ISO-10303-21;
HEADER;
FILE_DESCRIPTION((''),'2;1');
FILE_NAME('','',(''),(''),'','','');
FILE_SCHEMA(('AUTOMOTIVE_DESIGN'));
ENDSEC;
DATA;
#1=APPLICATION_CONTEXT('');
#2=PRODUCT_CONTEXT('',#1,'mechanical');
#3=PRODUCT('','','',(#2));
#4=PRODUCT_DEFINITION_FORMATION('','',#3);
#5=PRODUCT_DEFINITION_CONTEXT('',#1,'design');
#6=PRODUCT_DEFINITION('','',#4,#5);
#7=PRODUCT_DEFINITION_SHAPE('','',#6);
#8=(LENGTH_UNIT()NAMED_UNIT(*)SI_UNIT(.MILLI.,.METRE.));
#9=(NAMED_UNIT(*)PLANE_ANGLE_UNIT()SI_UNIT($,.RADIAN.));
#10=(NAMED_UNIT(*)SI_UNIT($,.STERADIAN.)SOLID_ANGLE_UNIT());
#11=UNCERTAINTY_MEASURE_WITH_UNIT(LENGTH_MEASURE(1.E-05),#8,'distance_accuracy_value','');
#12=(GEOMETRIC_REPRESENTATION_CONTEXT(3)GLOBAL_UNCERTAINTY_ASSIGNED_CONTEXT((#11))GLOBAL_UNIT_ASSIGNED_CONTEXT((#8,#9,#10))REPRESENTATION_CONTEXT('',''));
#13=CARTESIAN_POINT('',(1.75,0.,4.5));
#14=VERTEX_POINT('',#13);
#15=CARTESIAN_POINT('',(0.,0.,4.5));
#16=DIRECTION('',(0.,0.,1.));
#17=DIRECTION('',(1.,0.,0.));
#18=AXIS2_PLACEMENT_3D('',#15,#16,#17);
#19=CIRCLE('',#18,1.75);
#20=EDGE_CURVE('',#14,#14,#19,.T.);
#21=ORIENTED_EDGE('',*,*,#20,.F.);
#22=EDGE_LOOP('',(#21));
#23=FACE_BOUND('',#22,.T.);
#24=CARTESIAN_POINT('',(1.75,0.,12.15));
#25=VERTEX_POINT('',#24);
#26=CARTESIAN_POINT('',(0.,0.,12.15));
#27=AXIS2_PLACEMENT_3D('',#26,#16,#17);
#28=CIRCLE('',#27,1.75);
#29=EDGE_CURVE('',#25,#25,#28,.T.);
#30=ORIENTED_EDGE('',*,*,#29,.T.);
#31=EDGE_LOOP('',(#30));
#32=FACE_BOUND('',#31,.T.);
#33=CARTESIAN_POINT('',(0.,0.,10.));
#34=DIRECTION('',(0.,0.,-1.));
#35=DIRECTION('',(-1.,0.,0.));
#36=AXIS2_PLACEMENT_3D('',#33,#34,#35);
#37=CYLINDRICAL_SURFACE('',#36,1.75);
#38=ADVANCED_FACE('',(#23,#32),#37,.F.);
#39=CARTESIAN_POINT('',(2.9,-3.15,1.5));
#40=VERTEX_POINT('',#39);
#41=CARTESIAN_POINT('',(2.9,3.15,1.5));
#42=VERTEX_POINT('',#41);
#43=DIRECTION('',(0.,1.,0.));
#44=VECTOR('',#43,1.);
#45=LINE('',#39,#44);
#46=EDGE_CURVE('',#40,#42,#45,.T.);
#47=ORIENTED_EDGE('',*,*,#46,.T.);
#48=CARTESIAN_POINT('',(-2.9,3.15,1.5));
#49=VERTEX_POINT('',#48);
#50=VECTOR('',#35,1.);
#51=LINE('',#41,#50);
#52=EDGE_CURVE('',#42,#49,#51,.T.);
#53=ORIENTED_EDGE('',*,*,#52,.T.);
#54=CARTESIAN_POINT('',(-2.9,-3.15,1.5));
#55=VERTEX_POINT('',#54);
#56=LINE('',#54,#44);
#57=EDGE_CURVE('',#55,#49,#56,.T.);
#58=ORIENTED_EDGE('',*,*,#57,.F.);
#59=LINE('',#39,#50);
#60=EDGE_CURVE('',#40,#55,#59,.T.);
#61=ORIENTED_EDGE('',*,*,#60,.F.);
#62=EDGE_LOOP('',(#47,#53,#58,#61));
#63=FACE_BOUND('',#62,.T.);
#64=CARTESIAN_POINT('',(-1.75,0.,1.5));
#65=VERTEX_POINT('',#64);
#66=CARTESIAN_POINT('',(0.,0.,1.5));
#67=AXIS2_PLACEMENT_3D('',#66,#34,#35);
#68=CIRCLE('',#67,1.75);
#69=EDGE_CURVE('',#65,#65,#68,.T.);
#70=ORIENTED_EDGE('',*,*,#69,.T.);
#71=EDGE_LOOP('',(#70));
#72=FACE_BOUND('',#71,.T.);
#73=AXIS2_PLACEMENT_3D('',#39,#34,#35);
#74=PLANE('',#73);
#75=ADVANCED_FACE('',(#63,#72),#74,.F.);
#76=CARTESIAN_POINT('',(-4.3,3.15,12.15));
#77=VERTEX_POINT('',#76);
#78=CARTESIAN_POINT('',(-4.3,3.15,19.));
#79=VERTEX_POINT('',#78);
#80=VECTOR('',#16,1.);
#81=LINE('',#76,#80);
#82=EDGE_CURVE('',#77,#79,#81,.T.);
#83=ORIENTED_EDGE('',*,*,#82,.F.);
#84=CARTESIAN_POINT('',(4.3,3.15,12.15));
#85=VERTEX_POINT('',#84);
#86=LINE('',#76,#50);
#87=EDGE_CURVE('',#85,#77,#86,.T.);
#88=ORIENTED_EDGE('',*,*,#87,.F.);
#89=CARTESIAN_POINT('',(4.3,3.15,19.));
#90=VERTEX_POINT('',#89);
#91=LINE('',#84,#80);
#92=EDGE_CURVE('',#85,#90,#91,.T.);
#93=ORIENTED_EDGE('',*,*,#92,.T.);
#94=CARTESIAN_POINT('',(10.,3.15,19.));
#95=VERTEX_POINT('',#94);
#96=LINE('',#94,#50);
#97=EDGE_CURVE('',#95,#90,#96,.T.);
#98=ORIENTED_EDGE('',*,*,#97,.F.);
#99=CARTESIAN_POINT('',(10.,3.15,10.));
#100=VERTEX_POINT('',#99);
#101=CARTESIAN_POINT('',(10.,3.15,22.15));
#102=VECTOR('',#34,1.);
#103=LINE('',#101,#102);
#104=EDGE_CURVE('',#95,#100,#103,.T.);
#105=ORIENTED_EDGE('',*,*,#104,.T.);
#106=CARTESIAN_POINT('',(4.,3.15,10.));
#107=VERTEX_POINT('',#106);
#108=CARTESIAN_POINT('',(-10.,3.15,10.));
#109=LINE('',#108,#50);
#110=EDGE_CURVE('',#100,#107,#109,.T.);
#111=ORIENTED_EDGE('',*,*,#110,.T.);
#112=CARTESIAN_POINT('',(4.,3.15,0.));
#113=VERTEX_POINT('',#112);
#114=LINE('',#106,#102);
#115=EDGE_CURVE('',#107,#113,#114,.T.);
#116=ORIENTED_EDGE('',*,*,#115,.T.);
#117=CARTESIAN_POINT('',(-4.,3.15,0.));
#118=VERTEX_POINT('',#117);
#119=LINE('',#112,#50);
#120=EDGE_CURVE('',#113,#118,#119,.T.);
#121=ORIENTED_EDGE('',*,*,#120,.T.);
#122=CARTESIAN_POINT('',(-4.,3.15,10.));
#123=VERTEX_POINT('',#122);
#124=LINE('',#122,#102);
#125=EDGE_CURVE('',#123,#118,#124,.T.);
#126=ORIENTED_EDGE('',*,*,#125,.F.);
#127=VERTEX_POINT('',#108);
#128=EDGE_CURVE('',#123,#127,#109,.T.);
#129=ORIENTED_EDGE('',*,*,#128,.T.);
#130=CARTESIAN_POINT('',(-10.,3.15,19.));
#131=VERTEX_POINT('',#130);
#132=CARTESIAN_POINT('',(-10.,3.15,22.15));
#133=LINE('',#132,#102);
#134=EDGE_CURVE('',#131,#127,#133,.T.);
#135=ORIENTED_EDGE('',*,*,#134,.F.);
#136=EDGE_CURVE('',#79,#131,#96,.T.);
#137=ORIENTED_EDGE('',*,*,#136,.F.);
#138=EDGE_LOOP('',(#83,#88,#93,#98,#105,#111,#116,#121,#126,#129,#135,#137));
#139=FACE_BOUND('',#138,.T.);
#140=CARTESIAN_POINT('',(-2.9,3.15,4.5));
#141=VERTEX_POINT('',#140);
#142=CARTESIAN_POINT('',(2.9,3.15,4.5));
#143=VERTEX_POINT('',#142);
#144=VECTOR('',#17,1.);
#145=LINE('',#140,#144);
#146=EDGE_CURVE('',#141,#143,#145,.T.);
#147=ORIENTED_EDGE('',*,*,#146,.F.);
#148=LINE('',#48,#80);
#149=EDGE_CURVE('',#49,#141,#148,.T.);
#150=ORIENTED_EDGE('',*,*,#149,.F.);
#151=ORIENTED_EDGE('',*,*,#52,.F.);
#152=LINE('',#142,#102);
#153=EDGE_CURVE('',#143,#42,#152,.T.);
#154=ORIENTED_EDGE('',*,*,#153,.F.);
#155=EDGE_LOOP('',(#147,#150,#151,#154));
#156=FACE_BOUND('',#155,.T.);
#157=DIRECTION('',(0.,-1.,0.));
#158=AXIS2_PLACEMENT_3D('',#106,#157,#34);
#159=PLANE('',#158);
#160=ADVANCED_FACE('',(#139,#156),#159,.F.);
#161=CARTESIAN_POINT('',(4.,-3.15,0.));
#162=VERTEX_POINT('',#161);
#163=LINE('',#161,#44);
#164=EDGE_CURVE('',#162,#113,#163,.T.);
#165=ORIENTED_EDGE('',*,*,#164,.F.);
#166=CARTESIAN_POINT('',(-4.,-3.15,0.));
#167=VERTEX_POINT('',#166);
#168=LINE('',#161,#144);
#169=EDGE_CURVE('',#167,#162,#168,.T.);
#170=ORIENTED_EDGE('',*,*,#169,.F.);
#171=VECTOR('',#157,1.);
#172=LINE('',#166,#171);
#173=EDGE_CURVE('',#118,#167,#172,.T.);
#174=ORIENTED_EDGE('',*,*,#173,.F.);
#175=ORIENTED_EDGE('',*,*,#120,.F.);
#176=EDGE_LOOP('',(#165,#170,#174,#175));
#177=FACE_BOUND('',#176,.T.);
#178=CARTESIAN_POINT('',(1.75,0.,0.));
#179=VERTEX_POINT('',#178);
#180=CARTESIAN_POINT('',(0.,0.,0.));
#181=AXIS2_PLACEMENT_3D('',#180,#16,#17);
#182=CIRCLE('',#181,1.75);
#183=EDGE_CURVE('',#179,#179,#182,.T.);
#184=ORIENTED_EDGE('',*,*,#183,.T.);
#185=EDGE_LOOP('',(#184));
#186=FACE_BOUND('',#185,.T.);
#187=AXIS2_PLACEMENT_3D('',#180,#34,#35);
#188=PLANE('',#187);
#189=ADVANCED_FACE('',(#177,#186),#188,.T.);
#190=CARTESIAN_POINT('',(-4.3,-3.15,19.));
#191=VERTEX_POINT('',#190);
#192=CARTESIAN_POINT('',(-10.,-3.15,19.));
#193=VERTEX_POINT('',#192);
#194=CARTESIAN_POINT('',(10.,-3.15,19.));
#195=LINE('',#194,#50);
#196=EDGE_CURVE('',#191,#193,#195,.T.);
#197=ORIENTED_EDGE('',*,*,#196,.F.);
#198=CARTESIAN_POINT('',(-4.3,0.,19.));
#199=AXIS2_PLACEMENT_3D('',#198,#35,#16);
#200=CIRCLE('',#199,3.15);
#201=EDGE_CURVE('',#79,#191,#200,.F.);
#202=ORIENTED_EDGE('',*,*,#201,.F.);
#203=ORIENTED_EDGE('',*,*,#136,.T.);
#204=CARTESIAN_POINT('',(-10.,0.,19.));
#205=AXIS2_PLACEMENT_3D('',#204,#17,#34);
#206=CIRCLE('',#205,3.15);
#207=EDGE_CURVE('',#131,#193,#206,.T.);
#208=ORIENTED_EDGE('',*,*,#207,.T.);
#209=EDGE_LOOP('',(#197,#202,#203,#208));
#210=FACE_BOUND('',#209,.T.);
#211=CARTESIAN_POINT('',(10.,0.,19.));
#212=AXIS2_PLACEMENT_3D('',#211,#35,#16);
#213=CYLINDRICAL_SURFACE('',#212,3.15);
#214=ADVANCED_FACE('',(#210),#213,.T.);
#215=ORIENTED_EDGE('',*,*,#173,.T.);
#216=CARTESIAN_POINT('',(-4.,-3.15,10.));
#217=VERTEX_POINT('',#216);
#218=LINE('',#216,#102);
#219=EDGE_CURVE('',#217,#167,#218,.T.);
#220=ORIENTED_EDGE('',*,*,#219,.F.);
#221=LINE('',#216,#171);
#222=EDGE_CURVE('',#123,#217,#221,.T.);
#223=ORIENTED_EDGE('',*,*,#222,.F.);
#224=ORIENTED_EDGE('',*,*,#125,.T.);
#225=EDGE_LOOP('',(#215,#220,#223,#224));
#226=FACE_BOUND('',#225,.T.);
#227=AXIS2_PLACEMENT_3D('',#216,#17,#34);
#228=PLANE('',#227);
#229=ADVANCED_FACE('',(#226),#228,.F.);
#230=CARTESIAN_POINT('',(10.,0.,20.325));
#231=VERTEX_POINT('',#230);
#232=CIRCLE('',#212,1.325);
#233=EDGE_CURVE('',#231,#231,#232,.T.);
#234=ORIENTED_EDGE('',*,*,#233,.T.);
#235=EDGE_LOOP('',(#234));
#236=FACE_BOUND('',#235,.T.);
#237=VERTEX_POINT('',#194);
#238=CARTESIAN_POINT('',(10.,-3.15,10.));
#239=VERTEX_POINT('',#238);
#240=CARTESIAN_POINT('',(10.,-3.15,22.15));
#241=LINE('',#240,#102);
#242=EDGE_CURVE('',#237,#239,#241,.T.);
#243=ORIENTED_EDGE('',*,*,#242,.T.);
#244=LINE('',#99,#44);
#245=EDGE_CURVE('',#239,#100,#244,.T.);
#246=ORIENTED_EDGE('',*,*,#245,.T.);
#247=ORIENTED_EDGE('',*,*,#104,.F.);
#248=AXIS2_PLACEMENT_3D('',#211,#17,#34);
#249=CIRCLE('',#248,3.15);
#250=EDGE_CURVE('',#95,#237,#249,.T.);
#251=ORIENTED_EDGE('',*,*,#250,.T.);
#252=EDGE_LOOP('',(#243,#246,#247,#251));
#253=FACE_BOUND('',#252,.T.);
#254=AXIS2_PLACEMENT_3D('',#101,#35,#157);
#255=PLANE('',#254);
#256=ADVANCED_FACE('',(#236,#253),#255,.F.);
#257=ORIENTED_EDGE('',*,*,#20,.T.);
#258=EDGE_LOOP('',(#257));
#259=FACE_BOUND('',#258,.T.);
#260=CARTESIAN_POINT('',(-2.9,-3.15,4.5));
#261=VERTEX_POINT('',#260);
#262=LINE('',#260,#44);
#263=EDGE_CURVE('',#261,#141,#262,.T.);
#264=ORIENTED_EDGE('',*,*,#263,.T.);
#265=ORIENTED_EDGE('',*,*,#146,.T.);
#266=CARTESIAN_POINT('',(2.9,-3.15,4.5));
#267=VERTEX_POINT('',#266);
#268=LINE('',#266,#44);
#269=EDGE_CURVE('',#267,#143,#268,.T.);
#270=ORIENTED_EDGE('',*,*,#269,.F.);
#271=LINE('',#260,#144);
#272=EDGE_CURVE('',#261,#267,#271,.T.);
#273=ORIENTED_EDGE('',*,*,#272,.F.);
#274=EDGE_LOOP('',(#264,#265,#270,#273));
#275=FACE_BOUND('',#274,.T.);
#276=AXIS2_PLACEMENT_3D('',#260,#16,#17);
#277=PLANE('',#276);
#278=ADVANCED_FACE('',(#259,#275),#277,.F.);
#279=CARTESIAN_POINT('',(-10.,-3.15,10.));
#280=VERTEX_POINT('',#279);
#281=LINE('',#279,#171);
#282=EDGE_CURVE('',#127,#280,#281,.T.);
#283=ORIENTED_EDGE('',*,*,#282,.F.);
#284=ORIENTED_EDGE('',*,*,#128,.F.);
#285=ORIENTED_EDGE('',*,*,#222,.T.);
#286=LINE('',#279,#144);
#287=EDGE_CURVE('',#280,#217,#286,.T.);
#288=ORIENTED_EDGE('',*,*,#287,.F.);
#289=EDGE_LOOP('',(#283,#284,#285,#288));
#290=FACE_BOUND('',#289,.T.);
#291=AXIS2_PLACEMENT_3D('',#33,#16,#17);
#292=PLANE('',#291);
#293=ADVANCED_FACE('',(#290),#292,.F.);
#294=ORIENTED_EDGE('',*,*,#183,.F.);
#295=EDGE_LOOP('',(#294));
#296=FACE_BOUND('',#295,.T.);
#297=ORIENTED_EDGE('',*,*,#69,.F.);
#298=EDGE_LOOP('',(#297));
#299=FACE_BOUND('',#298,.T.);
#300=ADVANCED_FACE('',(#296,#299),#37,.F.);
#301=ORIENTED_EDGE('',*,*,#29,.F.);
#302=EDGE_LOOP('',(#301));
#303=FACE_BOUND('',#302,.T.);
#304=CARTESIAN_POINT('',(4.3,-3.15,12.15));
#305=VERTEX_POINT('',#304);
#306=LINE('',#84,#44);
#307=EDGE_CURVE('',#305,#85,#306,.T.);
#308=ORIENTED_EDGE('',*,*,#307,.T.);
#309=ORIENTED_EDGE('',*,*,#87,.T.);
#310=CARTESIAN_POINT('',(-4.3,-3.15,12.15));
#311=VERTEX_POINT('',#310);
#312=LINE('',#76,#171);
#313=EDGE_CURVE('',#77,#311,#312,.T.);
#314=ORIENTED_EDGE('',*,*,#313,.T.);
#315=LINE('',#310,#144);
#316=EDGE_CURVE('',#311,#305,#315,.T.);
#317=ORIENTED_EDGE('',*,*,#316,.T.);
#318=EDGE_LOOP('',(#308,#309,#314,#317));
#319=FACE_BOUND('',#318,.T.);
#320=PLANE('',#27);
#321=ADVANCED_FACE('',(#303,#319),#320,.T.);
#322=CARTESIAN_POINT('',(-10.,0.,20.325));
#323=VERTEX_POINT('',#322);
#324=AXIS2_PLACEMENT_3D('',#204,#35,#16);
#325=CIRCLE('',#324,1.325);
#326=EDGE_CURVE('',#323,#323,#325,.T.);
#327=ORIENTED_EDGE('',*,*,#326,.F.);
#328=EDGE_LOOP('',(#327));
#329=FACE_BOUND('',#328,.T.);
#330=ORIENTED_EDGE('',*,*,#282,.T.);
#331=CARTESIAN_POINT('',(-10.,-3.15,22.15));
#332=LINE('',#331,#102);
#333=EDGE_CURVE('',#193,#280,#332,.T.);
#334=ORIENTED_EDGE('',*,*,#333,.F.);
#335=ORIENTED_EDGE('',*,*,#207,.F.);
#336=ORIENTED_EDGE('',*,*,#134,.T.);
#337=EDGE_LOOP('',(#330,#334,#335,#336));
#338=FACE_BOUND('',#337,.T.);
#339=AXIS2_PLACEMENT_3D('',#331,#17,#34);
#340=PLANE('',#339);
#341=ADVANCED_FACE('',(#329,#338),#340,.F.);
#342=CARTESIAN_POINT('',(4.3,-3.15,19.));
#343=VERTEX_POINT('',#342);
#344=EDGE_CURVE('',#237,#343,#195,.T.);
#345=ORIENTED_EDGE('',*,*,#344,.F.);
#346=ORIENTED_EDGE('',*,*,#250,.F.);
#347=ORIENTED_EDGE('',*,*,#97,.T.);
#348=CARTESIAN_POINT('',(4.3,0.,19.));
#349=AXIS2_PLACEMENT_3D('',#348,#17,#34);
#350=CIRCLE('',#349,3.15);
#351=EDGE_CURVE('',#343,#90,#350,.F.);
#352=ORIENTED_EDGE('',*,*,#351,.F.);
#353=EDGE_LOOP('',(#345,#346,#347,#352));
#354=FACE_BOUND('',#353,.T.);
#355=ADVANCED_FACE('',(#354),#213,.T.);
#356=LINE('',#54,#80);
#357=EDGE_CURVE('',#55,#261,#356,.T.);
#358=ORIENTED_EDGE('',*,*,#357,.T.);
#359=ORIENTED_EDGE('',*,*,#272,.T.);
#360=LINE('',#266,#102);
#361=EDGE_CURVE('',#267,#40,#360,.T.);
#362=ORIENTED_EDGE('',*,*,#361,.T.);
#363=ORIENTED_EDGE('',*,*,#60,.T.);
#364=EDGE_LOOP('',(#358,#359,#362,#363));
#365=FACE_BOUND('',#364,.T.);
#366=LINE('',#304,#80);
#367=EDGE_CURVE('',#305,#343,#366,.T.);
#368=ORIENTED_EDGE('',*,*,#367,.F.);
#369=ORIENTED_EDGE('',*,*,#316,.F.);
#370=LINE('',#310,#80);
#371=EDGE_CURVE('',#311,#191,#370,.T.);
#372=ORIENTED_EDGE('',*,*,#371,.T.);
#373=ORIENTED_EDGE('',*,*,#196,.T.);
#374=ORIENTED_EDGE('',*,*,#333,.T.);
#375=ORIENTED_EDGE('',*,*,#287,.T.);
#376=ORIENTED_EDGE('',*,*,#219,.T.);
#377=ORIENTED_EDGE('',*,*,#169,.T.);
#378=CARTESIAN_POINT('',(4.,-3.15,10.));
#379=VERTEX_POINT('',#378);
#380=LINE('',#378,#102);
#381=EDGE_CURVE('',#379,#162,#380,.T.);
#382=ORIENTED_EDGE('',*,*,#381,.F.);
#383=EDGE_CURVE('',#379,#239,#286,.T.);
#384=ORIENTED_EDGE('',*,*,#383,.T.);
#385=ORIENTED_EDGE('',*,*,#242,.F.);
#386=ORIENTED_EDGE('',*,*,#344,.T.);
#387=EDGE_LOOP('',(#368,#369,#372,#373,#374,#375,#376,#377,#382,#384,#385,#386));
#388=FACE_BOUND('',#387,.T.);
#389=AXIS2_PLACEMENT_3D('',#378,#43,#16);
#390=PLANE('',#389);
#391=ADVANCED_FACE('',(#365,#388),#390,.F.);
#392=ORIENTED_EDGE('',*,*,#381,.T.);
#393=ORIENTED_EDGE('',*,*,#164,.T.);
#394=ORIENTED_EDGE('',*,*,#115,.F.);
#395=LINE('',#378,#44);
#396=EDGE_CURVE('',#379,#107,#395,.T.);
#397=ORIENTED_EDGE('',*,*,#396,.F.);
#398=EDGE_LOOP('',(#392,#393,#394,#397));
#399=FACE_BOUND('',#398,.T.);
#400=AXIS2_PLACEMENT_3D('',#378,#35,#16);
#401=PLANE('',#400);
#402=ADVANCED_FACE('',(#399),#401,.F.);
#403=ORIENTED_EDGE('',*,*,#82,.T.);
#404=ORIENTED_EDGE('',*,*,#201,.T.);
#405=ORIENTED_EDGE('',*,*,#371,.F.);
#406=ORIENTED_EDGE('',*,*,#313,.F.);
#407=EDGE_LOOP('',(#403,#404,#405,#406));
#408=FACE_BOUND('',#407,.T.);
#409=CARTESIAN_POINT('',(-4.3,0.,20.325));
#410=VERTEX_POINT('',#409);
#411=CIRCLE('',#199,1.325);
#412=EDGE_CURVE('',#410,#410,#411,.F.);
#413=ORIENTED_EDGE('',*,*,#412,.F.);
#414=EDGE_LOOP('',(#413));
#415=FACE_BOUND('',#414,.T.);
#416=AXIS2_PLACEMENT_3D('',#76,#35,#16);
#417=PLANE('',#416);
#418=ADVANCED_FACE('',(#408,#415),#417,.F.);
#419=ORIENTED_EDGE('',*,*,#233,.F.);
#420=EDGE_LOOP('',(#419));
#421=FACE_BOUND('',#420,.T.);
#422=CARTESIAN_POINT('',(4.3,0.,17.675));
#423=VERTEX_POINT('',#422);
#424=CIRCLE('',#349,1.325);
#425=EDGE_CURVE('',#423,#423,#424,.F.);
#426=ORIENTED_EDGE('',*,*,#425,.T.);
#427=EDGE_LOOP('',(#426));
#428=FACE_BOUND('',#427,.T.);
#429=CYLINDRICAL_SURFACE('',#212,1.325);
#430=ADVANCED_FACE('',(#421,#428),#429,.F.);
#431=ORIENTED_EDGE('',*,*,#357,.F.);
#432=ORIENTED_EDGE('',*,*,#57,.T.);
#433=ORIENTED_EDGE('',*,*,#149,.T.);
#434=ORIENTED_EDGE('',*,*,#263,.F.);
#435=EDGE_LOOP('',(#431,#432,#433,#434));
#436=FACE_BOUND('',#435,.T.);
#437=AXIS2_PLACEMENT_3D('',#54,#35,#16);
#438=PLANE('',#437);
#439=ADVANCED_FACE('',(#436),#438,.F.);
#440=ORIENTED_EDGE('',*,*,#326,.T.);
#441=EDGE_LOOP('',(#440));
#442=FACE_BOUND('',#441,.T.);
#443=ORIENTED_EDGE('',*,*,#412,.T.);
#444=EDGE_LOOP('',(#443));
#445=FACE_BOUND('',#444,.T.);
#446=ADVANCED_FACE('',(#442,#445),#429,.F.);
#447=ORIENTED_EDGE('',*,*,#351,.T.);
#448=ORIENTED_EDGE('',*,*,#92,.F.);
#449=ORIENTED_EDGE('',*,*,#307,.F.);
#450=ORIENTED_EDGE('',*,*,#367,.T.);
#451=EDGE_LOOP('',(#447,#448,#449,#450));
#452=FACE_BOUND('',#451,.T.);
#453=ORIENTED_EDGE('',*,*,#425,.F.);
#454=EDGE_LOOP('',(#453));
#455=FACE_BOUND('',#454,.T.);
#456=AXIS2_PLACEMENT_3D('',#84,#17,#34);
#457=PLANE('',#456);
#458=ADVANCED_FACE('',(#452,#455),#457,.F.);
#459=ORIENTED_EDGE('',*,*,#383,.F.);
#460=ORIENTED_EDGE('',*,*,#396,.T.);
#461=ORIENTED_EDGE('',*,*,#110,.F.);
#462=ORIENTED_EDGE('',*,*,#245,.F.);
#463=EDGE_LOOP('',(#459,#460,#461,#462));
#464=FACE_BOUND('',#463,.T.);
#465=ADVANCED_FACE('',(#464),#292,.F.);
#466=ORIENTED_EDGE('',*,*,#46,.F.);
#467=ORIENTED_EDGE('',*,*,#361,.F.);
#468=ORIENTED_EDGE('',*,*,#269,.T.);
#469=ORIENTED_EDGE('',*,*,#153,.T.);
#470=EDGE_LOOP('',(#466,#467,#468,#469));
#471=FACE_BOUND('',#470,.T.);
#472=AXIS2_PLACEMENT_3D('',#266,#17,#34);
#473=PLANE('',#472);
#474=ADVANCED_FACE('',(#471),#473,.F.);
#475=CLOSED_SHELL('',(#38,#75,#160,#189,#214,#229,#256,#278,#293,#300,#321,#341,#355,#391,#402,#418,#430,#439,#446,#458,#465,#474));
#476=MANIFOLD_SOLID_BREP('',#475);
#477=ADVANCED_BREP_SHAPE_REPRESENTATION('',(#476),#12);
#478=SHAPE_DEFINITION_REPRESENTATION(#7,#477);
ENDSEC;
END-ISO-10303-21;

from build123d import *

# Parameters (mm, degrees)
SKETCH1_W           = 6.3
SKETCH1_H           = 8
SKETCH1_R           = 1.75
BOSS_EXTRUDE1_DEPTH = 10
SKETCH2_W           = 20
SKETCH2_H           = 6.3
SKETCH2_R           = 1.75
BOSS_EXTRUDE2_DEPTH = 12.15
SKETCH3_R           = 1.325
CUT_EXTRUDE1_DEPTH  = 31.009081959
SKETCH4_W           = 8.6
SKETCH4_H           = 6.3
CUT_EXTRUDE2_DEPTH  = 10
CUT_EXTRUDE3_DEPTH  = 31.009081959
SKETCH13_W          = 5.8
SKETCH13_H          = 3
CUT_EXTRUDE4_DEPTH  = 26.106025173


with BuildPart() as part:
    # Sketch1 → Boss-Extrude1 (new body)
    with BuildSketch(Plane(origin=(0, 0, 0), x_dir=(0, 1, 0), z_dir=(0, 0, 1))):
        Rectangle(SKETCH1_W, SKETCH1_H)
        with Locations(Location((0, 0, 0), (0, 0, 270))):
            Circle(SKETCH1_R, mode=Mode.SUBTRACT)
    extrude(amount=BOSS_EXTRUDE1_DEPTH)

    # Sketch2 → Boss-Extrude2 (add)
    with BuildSketch(Plane.XY.offset(10)):
        Rectangle(SKETCH2_W, SKETCH2_H)
        Circle(SKETCH2_R, mode=Mode.SUBTRACT)
    extrude(amount=BOSS_EXTRUDE2_DEPTH)

    # Sketch3 → Cut-Extrude1 (cut, through all)
    with BuildSketch(Plane(origin=(-10, 0, 0), x_dir=(0, -1, 0), z_dir=(-1, 0, 0))):
        with Locations(Location((0, 19, 0), (0, 0, 90))):
            Circle(SKETCH3_R)
    extrude(amount=-CUT_EXTRUDE1_DEPTH, mode=Mode.SUBTRACT)

    # Sketch4 → Cut-Extrude2 (cut)
    with BuildSketch(Plane.XY.offset(22.15)):
        Rectangle(SKETCH4_W, SKETCH4_H)
    extrude(amount=-CUT_EXTRUDE2_DEPTH, mode=Mode.SUBTRACT)

    # Sketch11 → Cut-Extrude3 (cut, through all)
    with BuildSketch(Plane(origin=(-10, 0, 0), x_dir=(0, -1, 0), z_dir=(-1, 0, 0))):
        with BuildLine():
            Line((-3.15, 19), (-3.15, 24.112369899))
            Line((-3.15, 24.112369899), (3.15, 24.112369899))
            Line((3.15, 24.112369899), (3.15, 19))
            ThreePointArc((3.15, 19), (0, 22.15), (-3.15, 19))
        make_face()
    extrude(amount=-CUT_EXTRUDE3_DEPTH, mode=Mode.SUBTRACT)

    # Sketch13 → Cut-Extrude4 (cut, through all)
    with BuildSketch(Plane(origin=(0, 3.15, 0), x_dir=(-1, 0, 0), z_dir=(0, 1, 0))):
        with Locations((0, 3)):
            Rectangle(SKETCH13_W, SKETCH13_H)
    extrude(amount=-CUT_EXTRUDE4_DEPTH, mode=Mode.SUBTRACT)


solid = part.part
